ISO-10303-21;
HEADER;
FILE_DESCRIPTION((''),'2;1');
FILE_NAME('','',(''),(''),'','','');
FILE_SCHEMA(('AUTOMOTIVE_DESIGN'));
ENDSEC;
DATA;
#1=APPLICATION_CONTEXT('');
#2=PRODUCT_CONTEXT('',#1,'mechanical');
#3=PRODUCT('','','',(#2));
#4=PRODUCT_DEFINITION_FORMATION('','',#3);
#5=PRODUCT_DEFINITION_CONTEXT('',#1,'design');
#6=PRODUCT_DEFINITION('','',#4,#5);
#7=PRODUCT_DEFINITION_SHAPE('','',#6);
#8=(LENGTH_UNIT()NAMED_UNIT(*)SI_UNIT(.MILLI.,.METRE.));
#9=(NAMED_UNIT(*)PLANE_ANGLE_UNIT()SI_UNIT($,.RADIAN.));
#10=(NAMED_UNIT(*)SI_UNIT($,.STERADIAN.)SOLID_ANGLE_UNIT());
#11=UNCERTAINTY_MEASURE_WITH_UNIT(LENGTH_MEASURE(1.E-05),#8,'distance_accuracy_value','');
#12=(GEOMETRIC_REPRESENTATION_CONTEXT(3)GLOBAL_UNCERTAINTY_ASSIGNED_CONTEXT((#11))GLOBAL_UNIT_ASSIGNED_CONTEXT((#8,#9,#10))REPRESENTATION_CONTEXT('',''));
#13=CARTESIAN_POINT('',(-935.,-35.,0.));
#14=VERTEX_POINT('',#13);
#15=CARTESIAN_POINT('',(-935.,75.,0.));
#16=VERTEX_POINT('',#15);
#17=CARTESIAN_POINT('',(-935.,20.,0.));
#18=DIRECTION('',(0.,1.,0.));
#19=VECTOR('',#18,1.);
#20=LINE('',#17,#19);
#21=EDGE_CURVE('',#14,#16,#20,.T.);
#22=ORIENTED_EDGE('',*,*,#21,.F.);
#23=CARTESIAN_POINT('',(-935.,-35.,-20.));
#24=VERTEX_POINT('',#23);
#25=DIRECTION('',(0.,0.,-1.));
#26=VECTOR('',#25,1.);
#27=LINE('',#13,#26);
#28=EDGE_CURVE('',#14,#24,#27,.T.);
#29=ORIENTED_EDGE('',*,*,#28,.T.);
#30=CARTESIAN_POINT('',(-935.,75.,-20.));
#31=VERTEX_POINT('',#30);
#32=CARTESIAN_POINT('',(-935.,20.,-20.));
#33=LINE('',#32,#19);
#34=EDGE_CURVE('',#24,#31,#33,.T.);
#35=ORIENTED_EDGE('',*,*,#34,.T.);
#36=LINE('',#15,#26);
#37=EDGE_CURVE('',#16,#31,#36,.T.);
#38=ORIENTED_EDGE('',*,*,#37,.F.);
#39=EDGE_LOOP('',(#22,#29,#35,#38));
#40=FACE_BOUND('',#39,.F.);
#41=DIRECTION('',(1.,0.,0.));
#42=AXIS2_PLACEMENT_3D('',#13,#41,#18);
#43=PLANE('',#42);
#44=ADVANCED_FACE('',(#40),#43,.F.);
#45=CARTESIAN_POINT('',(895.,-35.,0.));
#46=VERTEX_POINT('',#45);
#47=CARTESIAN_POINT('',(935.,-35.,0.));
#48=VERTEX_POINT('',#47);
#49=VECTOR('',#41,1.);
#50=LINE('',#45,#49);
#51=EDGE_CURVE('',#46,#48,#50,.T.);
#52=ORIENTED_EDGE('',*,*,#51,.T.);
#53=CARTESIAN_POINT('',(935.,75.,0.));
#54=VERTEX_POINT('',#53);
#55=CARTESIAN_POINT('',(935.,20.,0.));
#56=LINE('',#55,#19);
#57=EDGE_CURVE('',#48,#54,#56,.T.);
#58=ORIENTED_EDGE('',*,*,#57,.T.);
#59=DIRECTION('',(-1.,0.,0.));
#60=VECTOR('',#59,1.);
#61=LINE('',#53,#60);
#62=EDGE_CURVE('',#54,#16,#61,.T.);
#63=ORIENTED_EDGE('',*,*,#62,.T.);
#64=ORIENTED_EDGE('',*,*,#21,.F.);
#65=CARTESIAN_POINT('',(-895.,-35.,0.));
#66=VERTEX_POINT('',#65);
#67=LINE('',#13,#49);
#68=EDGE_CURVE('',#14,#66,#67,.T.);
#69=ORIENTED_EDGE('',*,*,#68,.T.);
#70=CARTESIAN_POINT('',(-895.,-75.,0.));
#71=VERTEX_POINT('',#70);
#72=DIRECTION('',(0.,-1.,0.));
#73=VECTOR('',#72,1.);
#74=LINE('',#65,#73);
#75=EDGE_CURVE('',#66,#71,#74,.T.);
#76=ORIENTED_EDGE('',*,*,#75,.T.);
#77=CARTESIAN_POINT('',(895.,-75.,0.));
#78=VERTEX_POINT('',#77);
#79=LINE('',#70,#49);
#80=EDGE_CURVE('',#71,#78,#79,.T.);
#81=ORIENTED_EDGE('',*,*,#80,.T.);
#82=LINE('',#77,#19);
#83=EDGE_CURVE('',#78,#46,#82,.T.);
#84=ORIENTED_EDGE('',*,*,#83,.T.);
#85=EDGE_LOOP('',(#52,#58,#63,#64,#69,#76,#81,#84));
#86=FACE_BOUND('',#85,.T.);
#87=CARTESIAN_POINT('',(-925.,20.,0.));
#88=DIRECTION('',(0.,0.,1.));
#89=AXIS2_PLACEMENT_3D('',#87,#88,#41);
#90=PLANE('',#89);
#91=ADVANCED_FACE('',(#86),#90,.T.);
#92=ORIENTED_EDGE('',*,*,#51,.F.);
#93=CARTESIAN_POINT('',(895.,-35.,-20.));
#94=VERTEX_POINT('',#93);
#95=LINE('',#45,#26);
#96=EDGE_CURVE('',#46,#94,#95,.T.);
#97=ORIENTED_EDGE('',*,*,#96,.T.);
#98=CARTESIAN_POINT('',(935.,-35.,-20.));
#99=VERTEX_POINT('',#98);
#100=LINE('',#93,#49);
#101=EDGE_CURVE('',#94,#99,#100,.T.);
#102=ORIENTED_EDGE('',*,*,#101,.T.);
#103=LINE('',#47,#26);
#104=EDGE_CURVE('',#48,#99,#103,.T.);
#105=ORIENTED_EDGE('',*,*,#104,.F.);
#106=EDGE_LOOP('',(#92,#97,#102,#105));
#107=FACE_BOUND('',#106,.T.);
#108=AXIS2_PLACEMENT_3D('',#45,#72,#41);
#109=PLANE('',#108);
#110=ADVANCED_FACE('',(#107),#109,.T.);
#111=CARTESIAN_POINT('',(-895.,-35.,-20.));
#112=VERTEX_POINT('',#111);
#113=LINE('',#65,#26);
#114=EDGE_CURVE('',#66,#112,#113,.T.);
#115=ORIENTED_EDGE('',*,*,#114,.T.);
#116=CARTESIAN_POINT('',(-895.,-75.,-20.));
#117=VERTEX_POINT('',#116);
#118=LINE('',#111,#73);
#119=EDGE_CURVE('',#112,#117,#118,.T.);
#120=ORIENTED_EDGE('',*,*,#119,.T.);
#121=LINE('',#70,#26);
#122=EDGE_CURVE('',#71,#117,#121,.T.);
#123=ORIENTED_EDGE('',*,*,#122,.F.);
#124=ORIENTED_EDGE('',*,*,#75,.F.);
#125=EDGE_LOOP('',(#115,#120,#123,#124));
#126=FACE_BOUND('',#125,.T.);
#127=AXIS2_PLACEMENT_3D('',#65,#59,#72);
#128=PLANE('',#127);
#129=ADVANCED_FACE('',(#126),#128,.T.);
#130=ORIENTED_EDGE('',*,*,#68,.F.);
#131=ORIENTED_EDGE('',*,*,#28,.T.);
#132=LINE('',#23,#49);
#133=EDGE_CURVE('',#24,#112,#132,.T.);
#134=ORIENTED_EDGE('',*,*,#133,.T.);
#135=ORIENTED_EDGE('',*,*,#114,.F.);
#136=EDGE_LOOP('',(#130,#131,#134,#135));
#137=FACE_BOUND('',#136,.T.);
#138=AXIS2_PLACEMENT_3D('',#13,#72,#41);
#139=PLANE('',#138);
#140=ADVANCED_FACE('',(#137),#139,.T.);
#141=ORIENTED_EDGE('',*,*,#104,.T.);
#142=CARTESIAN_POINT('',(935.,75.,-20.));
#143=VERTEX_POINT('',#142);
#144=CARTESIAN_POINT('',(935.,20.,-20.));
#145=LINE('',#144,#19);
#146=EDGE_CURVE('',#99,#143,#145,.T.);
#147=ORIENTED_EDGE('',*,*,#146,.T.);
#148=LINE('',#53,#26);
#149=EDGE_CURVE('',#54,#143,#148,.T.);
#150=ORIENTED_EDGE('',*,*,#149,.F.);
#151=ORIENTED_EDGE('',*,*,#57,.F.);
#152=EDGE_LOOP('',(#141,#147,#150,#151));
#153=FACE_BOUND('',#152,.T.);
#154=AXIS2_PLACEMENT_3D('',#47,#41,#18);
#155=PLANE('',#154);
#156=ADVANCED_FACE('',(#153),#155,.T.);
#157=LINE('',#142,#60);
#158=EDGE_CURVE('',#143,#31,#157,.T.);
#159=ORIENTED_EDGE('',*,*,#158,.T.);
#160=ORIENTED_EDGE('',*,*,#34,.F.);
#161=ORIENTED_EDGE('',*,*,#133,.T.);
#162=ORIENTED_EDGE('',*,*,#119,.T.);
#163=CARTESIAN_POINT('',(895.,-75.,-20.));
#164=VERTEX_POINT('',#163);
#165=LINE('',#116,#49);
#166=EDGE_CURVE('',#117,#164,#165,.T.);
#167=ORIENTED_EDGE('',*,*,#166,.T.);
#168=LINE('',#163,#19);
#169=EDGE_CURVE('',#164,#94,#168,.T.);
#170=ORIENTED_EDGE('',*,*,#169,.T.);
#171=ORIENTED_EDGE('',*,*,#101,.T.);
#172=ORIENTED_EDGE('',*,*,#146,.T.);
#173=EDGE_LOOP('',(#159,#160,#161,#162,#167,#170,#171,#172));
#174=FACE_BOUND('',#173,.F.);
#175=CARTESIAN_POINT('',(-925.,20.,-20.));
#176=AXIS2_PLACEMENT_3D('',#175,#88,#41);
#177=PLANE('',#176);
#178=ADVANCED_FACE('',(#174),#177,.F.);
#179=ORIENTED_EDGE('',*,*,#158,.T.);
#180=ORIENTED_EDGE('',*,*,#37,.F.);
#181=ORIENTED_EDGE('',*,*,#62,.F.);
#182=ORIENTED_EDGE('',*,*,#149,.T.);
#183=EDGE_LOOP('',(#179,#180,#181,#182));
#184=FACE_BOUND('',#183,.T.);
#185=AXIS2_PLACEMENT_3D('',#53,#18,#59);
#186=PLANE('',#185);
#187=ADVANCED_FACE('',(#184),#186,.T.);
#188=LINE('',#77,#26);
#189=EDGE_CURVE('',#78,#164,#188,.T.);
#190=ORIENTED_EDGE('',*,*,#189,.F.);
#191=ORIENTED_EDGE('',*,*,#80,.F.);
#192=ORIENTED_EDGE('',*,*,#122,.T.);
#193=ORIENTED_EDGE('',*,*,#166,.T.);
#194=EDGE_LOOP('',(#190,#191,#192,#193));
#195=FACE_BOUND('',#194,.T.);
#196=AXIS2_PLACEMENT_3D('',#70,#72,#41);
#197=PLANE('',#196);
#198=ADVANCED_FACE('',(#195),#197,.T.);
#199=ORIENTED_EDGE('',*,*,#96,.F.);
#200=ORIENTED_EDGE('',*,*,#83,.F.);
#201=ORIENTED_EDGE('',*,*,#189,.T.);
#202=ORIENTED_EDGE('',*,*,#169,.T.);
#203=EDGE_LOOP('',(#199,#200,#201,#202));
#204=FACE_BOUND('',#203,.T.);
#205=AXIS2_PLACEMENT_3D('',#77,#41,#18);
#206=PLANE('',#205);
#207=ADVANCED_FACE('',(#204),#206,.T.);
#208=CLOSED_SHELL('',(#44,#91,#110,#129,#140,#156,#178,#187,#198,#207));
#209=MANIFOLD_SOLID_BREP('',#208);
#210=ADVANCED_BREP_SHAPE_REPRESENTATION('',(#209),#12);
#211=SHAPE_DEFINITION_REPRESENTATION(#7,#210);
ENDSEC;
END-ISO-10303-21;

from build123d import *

# Parameters (mm, degrees)
F1_W     = 20
F1_H     = 110
F2_DEPTH = 20


with BuildPart() as f2:
    # F1 (on Top) → F2 (new body)
    with BuildSketch(Plane.XY):
        with Locations((-925, 20)):
            Rectangle(F1_W, F1_H)
        with Locations((925, 20)):
            Rectangle(F1_W, F1_H)
        Polygon((-895, -75), (895, -75), (895, -35), (915, -35), (915, 75), (-915, 75), (-915, -35), (-895, -35), align=None)
    extrude(amount=-F2_DEPTH)


solid = f2.part
